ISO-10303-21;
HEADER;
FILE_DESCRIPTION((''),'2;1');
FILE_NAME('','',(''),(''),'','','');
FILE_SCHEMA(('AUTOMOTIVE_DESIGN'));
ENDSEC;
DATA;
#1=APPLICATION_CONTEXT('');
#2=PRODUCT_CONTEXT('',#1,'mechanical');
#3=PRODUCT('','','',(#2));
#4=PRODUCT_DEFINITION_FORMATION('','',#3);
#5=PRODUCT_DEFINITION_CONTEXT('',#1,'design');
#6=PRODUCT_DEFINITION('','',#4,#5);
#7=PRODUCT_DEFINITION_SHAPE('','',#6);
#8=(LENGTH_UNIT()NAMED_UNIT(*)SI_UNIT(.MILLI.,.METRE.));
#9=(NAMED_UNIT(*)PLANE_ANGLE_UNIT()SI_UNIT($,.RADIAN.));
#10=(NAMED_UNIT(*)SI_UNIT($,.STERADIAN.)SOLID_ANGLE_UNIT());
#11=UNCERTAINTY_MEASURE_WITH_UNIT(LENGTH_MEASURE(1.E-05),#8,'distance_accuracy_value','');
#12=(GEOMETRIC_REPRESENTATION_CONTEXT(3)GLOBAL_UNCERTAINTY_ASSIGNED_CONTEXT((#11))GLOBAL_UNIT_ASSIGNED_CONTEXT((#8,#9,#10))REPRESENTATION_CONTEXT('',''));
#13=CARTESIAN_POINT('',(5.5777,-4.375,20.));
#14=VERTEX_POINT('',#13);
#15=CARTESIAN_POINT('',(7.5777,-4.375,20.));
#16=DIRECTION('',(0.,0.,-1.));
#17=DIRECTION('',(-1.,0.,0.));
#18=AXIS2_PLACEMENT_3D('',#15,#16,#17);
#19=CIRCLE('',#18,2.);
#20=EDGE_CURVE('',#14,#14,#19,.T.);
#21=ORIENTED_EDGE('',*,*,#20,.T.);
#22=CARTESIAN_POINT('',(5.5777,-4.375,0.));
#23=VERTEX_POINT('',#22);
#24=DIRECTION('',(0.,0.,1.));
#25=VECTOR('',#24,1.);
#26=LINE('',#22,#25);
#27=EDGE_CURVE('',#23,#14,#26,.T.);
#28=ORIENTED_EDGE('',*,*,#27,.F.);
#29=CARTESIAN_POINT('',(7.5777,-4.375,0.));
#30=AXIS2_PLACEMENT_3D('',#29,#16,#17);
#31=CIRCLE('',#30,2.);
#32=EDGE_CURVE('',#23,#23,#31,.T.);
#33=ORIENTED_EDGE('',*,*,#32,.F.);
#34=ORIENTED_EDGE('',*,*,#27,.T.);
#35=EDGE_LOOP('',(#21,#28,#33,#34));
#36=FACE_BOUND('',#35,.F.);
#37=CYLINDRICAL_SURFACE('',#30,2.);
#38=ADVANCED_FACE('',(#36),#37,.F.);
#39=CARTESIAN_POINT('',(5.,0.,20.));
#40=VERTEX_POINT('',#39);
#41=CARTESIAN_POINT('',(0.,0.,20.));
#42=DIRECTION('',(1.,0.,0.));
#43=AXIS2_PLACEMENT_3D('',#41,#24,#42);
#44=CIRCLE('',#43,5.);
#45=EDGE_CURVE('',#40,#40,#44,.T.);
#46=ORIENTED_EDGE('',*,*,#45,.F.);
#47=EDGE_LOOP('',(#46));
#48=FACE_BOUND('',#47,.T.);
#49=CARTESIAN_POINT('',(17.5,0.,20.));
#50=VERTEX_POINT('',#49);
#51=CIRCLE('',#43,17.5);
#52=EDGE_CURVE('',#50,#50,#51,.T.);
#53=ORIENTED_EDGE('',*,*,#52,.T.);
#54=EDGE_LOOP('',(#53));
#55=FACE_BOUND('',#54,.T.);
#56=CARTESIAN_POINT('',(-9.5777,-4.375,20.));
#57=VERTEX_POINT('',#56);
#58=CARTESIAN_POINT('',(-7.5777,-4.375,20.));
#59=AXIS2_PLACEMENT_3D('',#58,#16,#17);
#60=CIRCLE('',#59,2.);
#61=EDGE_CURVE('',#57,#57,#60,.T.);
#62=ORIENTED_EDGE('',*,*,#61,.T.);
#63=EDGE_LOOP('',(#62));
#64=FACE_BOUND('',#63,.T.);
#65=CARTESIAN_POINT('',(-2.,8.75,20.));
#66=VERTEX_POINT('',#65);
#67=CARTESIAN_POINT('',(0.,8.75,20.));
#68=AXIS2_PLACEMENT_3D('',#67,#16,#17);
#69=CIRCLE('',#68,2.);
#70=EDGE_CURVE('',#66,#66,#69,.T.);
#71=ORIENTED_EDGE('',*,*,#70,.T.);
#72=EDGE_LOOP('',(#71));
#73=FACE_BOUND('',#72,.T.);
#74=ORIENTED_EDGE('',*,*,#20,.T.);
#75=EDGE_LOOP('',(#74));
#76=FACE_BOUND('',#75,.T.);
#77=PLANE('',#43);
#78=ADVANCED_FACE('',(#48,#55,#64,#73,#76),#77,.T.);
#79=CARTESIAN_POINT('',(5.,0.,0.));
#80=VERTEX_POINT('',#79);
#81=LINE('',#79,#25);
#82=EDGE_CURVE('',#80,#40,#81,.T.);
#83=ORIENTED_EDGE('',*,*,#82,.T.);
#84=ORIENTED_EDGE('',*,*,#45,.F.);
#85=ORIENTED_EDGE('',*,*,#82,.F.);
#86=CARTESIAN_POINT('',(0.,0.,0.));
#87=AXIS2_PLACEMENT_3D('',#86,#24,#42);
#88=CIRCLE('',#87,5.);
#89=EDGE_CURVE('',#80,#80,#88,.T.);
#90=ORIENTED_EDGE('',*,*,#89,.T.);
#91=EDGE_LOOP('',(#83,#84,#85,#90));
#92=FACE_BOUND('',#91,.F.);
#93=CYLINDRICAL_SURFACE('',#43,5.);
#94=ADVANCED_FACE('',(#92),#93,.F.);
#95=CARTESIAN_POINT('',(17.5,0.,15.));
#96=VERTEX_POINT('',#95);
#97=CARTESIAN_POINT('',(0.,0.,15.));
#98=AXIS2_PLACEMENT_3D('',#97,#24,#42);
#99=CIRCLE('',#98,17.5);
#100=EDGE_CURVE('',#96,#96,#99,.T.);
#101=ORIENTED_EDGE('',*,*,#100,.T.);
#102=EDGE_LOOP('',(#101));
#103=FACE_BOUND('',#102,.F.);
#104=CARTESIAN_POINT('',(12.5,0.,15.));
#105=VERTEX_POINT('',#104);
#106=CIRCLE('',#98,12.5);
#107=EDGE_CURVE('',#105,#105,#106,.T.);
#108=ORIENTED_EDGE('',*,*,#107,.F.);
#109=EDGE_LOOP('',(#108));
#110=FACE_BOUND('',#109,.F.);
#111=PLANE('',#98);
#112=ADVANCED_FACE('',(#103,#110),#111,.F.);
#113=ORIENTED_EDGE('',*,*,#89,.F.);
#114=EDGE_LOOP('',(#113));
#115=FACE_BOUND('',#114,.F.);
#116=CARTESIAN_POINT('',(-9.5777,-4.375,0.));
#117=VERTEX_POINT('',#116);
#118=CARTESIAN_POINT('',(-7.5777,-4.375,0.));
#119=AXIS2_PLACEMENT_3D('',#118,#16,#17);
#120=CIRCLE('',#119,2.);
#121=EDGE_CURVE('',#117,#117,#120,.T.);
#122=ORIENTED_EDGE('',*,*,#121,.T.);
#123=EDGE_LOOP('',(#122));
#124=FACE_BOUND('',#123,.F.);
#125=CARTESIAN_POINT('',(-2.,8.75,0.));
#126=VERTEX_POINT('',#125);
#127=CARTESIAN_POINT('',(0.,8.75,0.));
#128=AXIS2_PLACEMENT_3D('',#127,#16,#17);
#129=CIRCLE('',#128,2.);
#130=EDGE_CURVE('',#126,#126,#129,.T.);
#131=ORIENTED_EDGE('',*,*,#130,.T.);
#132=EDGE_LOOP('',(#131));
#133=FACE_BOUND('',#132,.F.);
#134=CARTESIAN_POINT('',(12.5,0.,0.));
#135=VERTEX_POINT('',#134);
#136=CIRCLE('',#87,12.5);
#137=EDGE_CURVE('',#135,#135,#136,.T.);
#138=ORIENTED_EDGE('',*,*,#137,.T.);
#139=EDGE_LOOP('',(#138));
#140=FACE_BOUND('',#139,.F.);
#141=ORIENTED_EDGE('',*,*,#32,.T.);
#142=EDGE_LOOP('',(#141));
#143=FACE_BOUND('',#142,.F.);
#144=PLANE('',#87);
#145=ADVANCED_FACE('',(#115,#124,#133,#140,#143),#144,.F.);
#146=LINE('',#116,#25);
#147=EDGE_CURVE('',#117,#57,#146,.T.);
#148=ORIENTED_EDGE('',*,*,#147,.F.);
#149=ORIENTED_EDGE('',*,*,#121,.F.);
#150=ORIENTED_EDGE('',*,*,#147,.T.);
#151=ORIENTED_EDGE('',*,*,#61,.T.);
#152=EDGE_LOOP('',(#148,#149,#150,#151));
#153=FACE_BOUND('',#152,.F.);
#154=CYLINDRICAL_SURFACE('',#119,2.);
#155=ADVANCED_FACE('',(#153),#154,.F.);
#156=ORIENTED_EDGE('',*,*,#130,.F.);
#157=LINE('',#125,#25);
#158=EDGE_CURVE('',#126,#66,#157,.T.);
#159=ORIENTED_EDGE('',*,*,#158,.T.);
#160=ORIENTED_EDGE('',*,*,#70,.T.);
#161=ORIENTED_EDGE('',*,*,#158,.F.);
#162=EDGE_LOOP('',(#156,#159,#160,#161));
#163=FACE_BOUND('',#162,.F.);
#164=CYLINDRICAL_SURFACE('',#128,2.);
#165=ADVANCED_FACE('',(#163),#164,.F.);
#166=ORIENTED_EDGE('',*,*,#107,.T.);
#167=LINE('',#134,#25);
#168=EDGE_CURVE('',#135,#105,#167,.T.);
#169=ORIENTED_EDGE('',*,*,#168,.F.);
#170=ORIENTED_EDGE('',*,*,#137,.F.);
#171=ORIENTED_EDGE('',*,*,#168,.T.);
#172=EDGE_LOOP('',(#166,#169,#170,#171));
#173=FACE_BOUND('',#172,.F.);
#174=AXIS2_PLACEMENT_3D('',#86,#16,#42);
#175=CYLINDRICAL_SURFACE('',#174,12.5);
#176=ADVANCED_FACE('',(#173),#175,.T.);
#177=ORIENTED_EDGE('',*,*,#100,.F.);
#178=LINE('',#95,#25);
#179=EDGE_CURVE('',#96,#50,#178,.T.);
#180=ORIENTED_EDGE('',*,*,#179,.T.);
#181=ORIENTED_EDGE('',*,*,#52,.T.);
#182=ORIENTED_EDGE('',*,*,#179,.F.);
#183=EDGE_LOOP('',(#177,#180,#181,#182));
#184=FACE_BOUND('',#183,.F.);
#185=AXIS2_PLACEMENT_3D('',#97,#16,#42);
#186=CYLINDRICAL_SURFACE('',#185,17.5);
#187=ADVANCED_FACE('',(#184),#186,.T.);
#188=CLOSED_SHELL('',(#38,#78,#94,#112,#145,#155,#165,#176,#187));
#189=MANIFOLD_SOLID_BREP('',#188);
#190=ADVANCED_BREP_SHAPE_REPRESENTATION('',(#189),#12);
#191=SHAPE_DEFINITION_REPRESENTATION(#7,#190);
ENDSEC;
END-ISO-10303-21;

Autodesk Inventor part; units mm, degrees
ref_plane "YZ Plane" through (0, 0, 0) normal (1, 0, 0) x (0, 1, 0)
ref_plane "XZ Plane" through (0, 0, 0) normal (0, 1, 0) x (-1, 0, 0)
ref_plane "XY Plane" through (0, 0, 0) normal (0, 0, 1) x (1, 0, 0)
sketch "Sketch1" plane through (0, 0, 0) normal (0, 0, 1) x (1, 0, 0)
  circle A0 centre (0, 0) radius 12.5
  circle A1 centre (0, 0) radius 5
  dimension "d0" = 25
  dimension "d1" = 10
extrude "Extrusion1" add sketch "Sketch1" along normal blind 15
sketch "Sketch2" plane through (0, 0, 15) normal (0, 0, 1) x (1, 0, 0)
  circle A0 centre (0, 0) radius 17.5
  dimension "d4" = 35
extrude "Extrusion2" add sketch "Sketch2" along normal blind 5
sketch "Sketch3" plane through (0, 0, 20) normal (0, 0, 1) x (1, 0, 0)
  circle A0 centre (0, 0) radius 5
  dimension "d7" = 10
extrude "Extrusion3" cut sketch "Sketch3" against normal through all
sketch "Sketch5" plane through (0, 0, 0) normal (0, 0, -1) x (-1, 0, 0)
  circle A0 centre (0, 8.75) radius 2
  circle A1 centre (-7.5777, -4.375) radius 2
  circle A2 centre (7.5777, -4.375) radius 2
  point P0 (0, 0)
  dimension "d10" = 4
  dimension "d11" = 8.75
  dimension "d14" = 360
extrude "Extrusion4" cut sketch "Sketch5" against normal through all
thread "Thread1" size "M4x0.7" class "6H" standard "ANSI Metric M Profile" full length
thread "Thread2" size "M4x0.7" class "6H" standard "ANSI Metric M Profile" full length
thread "Thread3" size "M4x0.7" class "6H" standard "ANSI Metric M Profile" full length
properties part number "CP013" material "ABS Plastic"
